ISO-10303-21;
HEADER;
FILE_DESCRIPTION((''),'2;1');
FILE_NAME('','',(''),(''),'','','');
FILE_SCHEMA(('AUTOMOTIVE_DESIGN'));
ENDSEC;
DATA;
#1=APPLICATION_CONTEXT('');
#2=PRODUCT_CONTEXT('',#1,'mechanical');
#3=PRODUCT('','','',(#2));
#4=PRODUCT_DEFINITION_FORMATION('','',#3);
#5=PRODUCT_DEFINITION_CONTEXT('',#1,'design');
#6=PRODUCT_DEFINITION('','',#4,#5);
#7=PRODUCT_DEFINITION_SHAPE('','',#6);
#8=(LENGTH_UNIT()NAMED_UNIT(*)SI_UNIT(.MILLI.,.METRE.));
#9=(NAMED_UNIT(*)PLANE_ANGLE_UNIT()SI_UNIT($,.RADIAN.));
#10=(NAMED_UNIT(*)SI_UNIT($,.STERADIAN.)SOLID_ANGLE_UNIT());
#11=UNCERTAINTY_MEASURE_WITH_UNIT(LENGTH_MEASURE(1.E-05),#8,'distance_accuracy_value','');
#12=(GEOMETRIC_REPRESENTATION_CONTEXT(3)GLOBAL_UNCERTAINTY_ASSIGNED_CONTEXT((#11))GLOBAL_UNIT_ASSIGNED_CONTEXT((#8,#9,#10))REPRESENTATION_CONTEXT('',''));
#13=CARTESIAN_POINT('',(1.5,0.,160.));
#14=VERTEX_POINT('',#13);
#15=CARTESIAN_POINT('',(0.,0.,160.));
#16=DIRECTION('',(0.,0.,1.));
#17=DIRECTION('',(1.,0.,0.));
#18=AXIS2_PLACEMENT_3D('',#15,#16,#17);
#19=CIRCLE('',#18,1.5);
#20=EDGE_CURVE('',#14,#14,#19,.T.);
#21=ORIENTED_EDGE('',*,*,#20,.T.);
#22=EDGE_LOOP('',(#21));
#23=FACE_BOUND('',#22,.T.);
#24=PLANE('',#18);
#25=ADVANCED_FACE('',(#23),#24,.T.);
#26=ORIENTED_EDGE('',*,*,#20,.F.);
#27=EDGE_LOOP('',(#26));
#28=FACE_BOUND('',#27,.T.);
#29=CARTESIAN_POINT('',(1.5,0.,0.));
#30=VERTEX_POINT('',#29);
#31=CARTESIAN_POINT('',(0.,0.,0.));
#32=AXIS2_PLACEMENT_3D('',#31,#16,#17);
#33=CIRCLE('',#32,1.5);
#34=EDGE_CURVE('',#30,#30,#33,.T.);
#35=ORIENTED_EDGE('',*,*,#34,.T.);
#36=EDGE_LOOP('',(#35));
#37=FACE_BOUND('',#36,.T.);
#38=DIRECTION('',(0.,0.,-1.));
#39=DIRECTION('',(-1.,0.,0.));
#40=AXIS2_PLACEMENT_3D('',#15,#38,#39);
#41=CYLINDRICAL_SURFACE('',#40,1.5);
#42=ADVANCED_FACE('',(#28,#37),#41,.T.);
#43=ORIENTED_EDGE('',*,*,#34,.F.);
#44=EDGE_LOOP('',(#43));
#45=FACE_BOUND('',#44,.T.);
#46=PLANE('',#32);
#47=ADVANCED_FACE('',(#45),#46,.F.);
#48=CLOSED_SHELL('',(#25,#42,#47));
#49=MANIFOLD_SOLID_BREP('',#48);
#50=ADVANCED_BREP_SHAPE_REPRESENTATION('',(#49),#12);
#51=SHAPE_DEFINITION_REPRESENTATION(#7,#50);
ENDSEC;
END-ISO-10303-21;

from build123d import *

# Parameters (mm, degrees)
ESBO_O1_R                = 1.5
RESSALTO_EXTRUS_O1_DEPTH = 160


with BuildPart() as part:
    # Esboço1 → Ressalto-extrusão1 (new body)
    with BuildSketch(Plane.XY):
        Circle(ESBO_O1_R)
    extrude(amount=RESSALTO_EXTRUS_O1_DEPTH)


solid = part.part
